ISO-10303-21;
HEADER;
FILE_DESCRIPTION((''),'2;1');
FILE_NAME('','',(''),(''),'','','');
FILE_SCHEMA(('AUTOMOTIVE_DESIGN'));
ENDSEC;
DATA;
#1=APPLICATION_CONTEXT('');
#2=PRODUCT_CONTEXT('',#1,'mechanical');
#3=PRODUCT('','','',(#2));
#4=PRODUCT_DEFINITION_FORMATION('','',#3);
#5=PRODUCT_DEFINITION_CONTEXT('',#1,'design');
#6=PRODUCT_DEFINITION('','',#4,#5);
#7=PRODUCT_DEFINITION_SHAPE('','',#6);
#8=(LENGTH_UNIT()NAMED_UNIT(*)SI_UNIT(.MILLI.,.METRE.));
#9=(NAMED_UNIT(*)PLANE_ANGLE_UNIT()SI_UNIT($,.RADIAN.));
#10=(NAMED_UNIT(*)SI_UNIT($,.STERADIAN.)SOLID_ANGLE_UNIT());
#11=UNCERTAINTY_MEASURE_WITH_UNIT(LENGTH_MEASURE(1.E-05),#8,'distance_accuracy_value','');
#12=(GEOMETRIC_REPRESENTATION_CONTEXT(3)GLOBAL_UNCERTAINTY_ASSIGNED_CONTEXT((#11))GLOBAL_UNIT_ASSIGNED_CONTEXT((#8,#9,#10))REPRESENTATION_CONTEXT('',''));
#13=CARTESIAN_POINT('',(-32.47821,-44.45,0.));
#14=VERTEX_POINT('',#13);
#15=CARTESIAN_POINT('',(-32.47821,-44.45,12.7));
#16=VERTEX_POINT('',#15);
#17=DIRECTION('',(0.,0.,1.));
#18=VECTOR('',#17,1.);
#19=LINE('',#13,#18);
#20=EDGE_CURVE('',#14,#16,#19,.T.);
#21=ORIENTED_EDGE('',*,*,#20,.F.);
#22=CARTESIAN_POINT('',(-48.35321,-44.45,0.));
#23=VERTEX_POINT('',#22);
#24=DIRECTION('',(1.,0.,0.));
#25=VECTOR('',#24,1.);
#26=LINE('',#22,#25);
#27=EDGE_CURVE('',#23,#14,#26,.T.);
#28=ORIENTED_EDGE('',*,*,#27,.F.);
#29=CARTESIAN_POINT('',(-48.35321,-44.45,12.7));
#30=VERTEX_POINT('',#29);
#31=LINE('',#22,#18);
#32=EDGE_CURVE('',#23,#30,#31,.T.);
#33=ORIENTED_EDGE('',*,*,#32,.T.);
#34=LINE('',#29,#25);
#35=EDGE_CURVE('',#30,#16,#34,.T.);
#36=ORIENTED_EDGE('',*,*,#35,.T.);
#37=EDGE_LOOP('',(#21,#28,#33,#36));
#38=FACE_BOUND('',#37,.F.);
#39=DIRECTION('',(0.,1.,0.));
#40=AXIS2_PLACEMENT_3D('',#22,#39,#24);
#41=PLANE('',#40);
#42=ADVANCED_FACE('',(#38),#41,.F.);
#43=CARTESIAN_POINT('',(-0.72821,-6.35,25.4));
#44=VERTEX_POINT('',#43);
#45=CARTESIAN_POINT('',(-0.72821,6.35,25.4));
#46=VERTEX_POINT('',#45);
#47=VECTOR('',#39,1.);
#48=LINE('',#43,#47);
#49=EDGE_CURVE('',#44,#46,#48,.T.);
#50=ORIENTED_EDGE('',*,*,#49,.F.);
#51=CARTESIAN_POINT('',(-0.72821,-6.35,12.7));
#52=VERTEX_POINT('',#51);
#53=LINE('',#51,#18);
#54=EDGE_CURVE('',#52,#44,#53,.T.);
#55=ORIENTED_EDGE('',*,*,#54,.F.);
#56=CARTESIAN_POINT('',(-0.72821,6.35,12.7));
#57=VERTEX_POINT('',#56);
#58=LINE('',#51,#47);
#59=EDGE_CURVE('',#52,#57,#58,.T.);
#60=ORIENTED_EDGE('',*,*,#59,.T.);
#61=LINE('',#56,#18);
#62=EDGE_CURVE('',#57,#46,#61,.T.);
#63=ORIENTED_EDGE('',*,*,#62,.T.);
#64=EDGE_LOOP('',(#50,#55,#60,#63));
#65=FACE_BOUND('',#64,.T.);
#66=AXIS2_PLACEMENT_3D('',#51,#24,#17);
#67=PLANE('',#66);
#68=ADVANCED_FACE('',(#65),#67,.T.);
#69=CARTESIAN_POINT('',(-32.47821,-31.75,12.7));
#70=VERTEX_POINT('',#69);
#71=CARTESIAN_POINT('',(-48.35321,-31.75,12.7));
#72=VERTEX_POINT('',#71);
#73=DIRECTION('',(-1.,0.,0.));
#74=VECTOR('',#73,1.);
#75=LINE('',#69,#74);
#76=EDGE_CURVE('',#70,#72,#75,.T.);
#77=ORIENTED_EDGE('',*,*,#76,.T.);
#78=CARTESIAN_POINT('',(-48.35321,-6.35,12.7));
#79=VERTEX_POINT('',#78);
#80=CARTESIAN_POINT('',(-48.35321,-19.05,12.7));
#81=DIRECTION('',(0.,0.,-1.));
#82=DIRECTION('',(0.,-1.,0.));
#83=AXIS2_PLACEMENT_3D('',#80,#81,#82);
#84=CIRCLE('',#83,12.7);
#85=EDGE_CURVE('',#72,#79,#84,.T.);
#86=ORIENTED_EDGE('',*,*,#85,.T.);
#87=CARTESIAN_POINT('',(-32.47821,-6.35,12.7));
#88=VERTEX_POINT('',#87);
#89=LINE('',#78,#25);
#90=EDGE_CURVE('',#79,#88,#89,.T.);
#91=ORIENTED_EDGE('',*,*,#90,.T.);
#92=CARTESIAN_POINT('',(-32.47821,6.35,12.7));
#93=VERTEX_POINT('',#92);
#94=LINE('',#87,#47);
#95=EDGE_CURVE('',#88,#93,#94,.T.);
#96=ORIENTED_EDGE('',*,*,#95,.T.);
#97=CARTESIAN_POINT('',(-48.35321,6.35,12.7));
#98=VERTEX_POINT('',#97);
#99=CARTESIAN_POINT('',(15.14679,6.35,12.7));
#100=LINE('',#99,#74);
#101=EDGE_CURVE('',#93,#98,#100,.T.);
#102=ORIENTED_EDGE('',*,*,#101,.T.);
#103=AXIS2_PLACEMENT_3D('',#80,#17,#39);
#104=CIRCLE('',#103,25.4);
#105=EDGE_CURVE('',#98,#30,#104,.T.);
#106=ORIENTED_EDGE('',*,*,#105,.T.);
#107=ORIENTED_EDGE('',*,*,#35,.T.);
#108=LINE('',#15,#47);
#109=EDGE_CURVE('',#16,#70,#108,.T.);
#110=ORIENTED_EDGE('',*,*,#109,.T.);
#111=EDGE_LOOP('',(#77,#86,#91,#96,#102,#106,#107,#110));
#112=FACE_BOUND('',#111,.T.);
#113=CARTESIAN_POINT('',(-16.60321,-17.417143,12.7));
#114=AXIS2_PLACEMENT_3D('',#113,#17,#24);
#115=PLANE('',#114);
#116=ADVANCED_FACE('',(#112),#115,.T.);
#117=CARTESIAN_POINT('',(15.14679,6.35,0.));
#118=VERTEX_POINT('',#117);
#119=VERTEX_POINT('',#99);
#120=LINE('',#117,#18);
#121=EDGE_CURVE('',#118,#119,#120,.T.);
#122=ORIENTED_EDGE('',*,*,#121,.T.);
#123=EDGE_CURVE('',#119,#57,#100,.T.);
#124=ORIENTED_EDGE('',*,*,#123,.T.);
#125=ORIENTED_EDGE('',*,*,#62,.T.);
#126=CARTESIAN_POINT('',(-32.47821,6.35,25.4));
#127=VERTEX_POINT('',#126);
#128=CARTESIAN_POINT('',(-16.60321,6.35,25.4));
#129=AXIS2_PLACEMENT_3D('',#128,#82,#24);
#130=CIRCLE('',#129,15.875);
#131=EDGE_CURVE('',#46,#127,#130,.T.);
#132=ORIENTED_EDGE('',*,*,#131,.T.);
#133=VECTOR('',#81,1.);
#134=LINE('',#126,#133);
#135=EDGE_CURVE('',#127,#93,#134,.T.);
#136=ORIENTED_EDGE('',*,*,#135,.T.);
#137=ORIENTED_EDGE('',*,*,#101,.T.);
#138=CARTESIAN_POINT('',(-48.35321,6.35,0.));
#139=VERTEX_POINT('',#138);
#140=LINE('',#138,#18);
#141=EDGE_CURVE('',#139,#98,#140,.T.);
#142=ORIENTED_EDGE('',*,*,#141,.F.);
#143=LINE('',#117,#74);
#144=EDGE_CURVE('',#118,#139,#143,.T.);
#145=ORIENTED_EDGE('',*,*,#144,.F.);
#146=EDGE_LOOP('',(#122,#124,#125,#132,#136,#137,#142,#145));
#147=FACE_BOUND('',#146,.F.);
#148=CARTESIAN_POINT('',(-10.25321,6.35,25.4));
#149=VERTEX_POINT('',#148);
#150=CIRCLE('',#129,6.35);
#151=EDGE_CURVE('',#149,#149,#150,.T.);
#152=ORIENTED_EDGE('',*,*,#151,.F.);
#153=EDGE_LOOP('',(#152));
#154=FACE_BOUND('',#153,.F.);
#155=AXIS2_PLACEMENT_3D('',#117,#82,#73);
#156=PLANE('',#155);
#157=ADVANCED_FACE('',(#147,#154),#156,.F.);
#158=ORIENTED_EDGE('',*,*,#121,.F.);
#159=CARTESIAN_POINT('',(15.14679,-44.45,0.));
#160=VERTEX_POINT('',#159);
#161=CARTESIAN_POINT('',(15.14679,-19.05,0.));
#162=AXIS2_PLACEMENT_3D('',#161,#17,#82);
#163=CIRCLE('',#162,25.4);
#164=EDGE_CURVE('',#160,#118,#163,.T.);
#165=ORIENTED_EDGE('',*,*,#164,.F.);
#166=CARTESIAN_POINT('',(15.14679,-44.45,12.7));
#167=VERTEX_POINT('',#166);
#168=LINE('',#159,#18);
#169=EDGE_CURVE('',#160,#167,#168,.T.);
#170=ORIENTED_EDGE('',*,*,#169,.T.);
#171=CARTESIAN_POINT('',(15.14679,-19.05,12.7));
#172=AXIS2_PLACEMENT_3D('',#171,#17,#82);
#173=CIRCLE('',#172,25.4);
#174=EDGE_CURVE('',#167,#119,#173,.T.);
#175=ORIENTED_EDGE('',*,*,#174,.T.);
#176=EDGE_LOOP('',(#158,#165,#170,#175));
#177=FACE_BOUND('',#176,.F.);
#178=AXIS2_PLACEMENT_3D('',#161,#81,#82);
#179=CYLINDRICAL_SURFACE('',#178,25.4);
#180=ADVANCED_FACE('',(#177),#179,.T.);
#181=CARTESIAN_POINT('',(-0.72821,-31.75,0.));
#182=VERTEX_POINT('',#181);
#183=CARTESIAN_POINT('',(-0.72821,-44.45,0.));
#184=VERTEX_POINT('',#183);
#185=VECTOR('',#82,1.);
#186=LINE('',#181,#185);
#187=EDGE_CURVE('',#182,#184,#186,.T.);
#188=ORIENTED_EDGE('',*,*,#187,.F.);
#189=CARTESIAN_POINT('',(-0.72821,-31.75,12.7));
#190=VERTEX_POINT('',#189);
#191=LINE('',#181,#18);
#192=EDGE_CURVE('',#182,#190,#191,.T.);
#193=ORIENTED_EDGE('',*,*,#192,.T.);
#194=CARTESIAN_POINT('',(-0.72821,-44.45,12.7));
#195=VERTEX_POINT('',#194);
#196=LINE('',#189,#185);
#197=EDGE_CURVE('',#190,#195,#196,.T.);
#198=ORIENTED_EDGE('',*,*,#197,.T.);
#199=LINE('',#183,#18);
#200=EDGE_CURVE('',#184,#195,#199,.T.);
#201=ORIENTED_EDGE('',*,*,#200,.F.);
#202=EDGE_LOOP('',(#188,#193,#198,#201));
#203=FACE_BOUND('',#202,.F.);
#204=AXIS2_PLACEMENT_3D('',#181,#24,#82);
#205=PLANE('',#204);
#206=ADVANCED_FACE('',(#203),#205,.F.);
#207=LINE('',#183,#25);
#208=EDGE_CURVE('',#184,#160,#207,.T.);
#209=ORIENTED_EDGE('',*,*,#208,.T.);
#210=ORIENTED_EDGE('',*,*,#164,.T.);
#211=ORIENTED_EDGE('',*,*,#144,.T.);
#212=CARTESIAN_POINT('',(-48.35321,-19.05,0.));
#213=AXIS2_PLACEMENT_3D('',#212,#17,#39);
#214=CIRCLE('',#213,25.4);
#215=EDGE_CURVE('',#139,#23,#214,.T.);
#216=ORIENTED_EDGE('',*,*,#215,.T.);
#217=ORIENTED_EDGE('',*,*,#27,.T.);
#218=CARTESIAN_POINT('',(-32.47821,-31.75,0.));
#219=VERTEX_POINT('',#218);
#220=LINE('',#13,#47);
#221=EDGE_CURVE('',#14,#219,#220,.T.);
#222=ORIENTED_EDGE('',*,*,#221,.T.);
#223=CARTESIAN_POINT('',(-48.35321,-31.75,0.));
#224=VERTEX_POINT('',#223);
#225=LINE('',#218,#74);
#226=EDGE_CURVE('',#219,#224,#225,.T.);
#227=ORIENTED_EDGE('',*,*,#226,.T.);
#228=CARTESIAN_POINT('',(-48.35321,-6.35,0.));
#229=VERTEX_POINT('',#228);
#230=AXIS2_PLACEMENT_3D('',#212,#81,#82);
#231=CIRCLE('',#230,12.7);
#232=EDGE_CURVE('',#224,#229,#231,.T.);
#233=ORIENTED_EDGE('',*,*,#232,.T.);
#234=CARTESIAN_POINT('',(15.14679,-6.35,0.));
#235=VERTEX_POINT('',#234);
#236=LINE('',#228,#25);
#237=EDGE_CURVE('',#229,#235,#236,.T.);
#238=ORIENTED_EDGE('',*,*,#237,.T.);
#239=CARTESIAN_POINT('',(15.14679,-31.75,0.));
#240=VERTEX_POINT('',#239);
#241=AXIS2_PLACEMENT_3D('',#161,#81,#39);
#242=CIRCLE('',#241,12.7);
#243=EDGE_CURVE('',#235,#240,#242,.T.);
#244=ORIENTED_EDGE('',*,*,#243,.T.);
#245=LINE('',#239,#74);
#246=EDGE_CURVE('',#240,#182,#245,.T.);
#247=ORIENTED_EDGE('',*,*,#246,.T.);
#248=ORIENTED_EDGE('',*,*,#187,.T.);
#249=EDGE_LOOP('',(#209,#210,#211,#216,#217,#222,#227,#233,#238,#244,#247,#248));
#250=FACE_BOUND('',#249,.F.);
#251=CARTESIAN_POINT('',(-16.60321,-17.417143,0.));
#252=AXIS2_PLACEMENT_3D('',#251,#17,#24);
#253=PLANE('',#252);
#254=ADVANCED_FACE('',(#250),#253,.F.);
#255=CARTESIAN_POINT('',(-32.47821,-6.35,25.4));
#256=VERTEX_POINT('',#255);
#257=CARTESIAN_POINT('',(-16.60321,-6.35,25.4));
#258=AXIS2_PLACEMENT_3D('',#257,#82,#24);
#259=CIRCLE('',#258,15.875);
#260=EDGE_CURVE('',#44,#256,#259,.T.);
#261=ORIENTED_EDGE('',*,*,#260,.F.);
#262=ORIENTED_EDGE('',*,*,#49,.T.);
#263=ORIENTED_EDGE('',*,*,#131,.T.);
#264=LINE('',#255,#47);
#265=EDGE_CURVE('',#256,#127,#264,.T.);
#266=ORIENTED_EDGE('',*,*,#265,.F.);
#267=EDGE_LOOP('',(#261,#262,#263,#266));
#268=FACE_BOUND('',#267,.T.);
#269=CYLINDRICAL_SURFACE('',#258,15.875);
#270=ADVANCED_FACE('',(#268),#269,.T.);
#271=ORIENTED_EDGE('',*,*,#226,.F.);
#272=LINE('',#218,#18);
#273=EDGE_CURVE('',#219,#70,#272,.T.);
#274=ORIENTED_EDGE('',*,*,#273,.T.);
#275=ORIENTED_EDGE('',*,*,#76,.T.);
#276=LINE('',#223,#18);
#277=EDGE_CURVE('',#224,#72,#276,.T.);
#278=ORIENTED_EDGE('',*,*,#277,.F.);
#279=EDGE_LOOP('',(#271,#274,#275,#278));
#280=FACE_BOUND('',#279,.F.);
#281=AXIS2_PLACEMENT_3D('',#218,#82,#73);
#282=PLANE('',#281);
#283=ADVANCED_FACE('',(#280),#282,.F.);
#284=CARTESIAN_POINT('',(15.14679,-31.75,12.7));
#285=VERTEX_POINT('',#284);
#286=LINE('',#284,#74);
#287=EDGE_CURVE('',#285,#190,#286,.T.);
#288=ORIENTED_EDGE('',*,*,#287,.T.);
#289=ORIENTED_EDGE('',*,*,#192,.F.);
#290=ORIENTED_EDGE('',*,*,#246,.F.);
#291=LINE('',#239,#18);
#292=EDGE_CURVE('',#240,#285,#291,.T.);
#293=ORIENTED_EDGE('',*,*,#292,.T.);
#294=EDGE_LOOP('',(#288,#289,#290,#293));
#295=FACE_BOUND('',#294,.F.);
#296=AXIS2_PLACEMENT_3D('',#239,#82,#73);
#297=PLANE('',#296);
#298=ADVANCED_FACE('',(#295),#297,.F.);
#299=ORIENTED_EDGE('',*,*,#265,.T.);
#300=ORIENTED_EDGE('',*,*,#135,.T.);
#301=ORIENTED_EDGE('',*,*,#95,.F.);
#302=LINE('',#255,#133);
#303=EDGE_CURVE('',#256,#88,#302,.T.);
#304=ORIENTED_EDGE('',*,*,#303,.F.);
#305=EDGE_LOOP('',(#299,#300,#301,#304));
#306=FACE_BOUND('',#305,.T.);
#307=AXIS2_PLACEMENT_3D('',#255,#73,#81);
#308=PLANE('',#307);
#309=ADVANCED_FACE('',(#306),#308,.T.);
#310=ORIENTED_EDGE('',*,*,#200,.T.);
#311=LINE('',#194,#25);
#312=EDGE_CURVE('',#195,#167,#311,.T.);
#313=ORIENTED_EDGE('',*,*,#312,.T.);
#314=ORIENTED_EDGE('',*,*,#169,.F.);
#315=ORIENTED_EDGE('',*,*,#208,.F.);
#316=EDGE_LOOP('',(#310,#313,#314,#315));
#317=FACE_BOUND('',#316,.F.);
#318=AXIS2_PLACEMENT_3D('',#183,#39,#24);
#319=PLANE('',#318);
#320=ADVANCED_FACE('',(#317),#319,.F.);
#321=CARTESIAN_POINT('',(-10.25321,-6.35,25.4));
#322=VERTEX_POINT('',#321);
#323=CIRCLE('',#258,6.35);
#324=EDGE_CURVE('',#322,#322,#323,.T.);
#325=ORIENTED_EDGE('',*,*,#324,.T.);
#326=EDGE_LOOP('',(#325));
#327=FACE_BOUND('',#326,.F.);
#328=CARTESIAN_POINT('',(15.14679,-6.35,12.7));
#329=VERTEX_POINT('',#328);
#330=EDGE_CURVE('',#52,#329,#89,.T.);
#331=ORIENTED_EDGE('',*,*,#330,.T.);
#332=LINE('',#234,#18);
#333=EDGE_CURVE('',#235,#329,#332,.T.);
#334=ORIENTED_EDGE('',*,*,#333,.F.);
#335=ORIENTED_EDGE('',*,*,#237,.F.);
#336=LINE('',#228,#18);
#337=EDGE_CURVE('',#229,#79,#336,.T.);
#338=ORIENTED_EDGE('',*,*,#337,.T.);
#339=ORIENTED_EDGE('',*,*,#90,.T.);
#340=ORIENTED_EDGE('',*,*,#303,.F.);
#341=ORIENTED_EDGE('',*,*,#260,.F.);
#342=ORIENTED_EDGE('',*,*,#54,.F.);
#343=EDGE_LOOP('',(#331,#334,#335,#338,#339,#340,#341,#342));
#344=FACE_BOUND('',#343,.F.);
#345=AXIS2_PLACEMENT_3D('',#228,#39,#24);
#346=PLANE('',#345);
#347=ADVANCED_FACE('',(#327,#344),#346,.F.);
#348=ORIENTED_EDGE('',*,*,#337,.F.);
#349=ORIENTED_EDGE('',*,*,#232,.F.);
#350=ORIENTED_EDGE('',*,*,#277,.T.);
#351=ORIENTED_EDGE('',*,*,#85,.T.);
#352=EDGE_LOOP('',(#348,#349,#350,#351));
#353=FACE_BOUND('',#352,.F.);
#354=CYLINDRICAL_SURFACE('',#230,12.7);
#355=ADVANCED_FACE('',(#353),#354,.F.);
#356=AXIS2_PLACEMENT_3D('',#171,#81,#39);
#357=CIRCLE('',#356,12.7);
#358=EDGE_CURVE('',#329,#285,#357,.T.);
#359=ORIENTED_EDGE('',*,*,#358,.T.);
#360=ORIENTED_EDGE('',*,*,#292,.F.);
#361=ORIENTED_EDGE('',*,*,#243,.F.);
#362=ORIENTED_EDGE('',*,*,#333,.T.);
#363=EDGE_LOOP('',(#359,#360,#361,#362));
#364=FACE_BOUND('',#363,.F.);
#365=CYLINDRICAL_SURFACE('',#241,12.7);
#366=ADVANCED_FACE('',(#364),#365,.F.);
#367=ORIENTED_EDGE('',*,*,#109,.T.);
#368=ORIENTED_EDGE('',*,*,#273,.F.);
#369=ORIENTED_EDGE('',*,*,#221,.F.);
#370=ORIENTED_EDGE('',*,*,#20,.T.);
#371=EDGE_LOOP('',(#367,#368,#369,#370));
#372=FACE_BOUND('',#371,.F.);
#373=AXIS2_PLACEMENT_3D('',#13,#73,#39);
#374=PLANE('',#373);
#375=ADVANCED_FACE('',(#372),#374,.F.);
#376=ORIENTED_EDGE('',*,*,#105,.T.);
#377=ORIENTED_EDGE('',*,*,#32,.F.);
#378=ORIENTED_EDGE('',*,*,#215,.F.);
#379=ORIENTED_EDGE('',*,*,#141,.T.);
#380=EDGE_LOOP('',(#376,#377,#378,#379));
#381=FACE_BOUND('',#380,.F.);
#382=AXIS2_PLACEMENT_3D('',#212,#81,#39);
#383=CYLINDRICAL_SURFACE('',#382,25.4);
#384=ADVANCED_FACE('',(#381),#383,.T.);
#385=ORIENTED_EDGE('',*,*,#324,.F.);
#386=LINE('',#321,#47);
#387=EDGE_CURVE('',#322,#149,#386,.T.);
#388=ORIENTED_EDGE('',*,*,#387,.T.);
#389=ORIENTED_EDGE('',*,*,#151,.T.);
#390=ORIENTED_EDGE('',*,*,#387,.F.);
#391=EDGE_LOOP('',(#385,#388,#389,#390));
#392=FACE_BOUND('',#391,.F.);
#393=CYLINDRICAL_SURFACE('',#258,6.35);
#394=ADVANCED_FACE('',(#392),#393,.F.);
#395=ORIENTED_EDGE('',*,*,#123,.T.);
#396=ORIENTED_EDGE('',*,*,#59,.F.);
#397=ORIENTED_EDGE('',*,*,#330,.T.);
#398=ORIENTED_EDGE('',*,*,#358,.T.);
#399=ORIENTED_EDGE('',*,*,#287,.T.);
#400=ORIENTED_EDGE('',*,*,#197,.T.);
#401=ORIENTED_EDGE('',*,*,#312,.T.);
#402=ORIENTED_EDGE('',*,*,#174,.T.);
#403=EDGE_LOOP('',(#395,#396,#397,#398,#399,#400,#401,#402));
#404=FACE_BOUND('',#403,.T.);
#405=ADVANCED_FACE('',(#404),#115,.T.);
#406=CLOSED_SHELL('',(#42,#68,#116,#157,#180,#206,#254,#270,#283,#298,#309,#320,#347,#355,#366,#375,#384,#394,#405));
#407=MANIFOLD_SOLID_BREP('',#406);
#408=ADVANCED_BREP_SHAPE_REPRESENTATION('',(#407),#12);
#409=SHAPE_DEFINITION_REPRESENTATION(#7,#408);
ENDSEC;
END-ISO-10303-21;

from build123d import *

# Parameters (mm, degrees)
F1_DEPTH = 12.7
F2_R     = 6.35
F3_DEPTH = 12.7


with BuildPart() as f1:
    # F0 (on Top) → F1 (new body)
    with BuildSketch(Plane.XY):
        with BuildLine():
            Line((15.14679, 6.35), (-48.35321, 6.35))
            ThreePointArc((-48.35321, 6.35), (-73.75321, -19.05), (-48.35321, -44.45))
            Line((-48.35321, -44.45), (-32.47821, -44.45))
            Line((-32.47821, -44.45), (-32.47821, -31.75))
            Line((-32.47821, -31.75), (-48.35321, -31.75))
            ThreePointArc((-48.35321, -31.75), (-61.05321, -19.05), (-48.35321, -6.35))
            Line((-48.35321, -6.35), (15.14679, -6.35))
            ThreePointArc((15.14679, -6.35), (27.84679, -19.05), (15.14679, -31.75))
            Line((15.14679, -31.75), (-0.72821, -31.75))
            Line((-0.72821, -31.75), (-0.72821, -44.45))
            Line((-0.72821, -44.45), (15.14679, -44.45))
            ThreePointArc((15.14679, -44.45), (40.54679, -19.05), (15.14679, 6.35))
        make_face()
    extrude(amount=F1_DEPTH)

    # F2 (on face) → F3 (join)
    with BuildSketch(Plane.XZ.offset(6.35)):
        with BuildLine():
            Line((-0.72821, 12.7), (-0.72821, 25.4))
            ThreePointArc((-0.72821, 25.4), (-16.60321, 41.275), (-32.47821, 25.4))
            Line((-32.47821, 25.4), (-32.47821, 12.7))
            Line((-32.47821, 12.7), (-0.72821, 12.7))
        make_face()
        with Locations((-16.60321, 25.4)):
            Circle(F2_R, mode=Mode.SUBTRACT)
    extrude(amount=-F3_DEPTH)


solid = f1.part
